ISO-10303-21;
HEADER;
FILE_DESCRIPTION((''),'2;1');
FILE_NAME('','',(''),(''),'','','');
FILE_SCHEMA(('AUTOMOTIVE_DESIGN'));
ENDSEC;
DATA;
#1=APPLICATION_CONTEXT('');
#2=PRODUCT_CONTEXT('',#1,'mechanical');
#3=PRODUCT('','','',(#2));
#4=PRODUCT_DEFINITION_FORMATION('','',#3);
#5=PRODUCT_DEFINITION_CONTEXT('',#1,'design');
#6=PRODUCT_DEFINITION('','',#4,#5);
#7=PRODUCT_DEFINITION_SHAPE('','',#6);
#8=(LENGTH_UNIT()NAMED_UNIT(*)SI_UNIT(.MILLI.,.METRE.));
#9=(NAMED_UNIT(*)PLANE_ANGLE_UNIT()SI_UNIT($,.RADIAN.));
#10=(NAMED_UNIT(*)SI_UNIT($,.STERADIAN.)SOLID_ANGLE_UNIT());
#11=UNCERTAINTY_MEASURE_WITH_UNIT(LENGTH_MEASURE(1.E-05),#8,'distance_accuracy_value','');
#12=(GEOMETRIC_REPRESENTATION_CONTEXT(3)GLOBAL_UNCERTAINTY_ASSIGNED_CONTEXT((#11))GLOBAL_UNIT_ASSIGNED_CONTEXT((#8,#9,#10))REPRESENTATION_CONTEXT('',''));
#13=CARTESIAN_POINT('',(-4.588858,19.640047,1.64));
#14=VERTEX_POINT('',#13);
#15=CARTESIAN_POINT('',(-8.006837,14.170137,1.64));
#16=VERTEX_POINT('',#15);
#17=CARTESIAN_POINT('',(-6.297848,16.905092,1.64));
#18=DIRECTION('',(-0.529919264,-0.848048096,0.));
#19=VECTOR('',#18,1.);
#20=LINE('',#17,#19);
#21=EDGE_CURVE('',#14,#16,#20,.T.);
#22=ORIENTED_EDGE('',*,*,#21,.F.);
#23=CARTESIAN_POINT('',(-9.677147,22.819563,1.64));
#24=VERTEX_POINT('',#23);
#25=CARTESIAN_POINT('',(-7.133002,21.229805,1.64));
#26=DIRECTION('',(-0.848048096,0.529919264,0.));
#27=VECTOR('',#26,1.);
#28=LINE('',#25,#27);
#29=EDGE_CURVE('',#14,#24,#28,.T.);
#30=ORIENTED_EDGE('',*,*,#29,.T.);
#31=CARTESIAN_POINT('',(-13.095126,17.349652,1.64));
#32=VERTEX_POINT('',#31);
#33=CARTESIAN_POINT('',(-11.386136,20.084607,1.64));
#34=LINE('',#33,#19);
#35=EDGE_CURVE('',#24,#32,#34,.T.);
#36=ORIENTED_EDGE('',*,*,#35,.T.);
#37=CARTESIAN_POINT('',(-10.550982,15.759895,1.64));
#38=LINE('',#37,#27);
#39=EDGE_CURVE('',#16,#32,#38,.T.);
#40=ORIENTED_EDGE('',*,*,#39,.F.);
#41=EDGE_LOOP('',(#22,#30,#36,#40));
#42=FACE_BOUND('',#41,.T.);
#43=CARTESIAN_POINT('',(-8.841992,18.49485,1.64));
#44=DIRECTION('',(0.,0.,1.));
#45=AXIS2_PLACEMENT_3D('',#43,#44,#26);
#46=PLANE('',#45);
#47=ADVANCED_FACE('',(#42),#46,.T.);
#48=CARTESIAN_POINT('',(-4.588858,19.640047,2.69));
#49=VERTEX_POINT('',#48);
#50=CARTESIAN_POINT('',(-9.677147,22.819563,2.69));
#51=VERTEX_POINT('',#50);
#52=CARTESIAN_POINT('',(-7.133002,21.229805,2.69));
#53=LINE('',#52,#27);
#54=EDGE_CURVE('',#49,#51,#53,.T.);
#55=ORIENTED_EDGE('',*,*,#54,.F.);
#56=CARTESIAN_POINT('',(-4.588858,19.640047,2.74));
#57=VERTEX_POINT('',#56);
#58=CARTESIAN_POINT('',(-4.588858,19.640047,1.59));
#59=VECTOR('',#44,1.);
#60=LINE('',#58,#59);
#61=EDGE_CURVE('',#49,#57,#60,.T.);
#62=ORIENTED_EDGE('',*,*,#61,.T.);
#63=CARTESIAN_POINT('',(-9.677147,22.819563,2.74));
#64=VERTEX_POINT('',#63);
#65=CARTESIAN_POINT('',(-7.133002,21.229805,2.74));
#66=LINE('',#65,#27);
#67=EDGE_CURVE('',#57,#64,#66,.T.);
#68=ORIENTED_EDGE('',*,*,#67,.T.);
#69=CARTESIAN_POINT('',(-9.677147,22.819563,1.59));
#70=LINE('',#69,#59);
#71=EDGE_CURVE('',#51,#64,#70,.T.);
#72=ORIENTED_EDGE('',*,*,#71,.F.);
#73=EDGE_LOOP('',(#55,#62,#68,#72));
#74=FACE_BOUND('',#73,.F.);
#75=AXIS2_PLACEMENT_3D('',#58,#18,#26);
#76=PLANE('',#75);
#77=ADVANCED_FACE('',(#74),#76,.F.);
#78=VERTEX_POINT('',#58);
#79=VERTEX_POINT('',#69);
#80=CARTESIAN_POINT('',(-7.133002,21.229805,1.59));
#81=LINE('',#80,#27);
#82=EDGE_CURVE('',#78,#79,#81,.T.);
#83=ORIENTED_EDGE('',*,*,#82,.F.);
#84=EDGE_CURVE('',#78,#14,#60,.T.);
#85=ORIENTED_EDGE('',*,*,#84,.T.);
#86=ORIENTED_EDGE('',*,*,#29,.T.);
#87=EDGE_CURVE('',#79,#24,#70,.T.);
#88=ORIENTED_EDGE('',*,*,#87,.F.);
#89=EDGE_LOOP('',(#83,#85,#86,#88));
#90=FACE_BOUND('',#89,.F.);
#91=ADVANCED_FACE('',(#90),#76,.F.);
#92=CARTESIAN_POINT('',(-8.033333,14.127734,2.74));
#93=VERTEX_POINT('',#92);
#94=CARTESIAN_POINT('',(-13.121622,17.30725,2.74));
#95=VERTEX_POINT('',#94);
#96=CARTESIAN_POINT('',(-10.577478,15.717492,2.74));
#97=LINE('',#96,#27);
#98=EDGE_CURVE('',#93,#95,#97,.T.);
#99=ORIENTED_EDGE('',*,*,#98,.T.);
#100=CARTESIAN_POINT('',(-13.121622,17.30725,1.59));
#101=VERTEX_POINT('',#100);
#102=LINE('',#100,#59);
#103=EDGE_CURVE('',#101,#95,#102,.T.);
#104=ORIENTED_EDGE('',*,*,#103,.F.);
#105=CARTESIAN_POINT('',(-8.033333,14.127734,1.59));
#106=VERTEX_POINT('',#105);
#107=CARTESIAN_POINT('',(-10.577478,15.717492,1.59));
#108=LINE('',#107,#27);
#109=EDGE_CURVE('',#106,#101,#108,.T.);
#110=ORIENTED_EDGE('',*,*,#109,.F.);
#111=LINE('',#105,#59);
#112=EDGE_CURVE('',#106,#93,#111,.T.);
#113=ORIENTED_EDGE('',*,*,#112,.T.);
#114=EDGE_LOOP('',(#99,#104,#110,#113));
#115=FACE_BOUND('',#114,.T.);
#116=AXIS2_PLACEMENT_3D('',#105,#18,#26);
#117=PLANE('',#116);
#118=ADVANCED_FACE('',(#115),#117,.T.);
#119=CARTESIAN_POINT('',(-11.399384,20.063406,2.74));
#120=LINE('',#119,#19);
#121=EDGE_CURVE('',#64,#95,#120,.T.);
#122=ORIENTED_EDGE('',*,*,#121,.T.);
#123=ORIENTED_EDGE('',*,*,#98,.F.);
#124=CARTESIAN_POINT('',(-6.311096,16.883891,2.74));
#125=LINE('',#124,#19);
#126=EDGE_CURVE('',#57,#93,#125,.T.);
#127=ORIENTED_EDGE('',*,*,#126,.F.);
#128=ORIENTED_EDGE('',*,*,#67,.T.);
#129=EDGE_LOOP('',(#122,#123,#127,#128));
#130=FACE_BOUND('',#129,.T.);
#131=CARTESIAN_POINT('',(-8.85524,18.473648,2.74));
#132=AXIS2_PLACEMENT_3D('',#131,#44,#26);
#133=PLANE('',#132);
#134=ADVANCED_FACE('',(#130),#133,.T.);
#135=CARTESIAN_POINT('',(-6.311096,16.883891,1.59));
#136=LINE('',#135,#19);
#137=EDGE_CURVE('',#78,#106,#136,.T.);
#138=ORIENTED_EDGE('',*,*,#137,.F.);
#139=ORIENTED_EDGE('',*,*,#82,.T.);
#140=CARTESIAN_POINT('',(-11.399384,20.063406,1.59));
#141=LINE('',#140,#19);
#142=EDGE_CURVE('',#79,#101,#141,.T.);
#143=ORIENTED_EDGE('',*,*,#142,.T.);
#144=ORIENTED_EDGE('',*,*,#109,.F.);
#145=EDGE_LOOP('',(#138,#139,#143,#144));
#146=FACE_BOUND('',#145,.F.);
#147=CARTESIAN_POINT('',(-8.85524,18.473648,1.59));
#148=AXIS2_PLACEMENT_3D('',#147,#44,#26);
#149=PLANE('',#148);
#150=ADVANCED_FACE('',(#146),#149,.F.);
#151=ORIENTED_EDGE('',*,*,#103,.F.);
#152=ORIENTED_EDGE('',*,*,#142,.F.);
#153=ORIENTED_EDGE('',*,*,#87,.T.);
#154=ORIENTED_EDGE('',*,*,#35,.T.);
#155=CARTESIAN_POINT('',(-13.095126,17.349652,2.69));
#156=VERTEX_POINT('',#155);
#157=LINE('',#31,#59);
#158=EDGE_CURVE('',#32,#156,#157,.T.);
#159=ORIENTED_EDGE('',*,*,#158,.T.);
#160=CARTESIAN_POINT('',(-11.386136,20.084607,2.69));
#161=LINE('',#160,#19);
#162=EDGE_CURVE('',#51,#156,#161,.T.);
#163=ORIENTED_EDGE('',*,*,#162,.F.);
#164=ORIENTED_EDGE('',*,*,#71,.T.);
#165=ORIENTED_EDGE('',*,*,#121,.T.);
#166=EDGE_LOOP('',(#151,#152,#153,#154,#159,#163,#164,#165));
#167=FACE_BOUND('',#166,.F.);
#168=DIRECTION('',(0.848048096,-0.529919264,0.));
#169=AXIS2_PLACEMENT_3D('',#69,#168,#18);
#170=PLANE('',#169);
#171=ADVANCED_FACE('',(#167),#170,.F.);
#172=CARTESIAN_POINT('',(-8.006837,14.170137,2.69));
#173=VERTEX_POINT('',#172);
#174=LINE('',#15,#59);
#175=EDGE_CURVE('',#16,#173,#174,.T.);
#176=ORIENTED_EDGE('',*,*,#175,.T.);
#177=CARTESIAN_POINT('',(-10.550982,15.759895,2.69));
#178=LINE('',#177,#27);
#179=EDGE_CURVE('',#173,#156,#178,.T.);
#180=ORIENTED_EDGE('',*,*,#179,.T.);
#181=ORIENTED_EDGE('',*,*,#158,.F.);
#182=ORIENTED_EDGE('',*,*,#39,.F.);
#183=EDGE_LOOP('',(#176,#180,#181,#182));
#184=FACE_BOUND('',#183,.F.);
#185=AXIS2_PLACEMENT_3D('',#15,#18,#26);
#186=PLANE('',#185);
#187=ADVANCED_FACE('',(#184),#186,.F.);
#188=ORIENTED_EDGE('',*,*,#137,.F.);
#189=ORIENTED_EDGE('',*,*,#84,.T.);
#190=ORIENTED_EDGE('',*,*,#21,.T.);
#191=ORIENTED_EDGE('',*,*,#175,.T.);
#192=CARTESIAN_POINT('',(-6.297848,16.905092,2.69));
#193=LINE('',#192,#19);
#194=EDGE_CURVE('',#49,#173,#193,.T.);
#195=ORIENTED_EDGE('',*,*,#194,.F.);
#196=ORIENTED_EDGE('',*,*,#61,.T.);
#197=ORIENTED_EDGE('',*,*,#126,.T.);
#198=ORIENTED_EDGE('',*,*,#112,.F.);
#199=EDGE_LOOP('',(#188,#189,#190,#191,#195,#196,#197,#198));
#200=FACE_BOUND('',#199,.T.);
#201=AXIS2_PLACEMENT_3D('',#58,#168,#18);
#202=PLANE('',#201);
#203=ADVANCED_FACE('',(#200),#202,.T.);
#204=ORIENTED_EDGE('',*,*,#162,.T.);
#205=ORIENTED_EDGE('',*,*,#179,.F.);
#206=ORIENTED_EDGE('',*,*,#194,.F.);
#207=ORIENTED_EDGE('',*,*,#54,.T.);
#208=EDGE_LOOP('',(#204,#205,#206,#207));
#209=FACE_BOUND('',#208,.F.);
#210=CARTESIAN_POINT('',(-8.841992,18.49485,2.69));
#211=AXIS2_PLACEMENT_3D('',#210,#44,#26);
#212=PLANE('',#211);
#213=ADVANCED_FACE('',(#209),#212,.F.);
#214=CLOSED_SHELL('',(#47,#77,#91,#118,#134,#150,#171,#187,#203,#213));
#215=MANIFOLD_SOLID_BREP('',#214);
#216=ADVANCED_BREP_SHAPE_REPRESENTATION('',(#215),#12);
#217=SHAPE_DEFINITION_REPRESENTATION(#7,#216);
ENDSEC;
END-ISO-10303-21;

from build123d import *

# Parameters (mm, degrees)
BOX173_W               = 6
BOX173_H               = 6.45
BOX173_DEPTH           = 1.05
BOX172_W               = 6
BOX172_H               = 6.5
BOX172_DEPTH           = 1.15
CUT084_PLACEMENT_ANGLE = 148


with BuildPart() as small_cu_gnd_electrode070:
    # Box173 → Box173 (new body)
    with BuildSketch(Plane.XY.offset(0.05)):
        with Locations((3, 3.225)):
            Rectangle(BOX173_W, BOX173_H)
    extrude(amount=BOX173_DEPTH)


with BuildPart() as small_cu_electrode_short_axis_gnd008:
    # Box172 → Box172 (new body)
    with BuildSketch(Plane.XY):
        with Locations((3, 3.25)):
            Rectangle(BOX172_W, BOX172_H)
    extrude(amount=BOX172_DEPTH)

    # Cut084: cut Small Cu GND Electrode070
    add(small_cu_gnd_electrode070.part, mode=Mode.SUBTRACT)


with BuildPart() as small_cu_electrode_short_axis_gnd008_1:
    # Cut084 placement: moved
    add(small_cu_electrode_short_axis_gnd008.part.moved(Location((-4.588858, 19.640047, 1.59))).rotate(Axis((-4.588858, 19.640047, 1.59), (0, 0, 1)), CUT084_PLACEMENT_ANGLE))


solid = small_cu_electrode_short_axis_gnd008_1.part
